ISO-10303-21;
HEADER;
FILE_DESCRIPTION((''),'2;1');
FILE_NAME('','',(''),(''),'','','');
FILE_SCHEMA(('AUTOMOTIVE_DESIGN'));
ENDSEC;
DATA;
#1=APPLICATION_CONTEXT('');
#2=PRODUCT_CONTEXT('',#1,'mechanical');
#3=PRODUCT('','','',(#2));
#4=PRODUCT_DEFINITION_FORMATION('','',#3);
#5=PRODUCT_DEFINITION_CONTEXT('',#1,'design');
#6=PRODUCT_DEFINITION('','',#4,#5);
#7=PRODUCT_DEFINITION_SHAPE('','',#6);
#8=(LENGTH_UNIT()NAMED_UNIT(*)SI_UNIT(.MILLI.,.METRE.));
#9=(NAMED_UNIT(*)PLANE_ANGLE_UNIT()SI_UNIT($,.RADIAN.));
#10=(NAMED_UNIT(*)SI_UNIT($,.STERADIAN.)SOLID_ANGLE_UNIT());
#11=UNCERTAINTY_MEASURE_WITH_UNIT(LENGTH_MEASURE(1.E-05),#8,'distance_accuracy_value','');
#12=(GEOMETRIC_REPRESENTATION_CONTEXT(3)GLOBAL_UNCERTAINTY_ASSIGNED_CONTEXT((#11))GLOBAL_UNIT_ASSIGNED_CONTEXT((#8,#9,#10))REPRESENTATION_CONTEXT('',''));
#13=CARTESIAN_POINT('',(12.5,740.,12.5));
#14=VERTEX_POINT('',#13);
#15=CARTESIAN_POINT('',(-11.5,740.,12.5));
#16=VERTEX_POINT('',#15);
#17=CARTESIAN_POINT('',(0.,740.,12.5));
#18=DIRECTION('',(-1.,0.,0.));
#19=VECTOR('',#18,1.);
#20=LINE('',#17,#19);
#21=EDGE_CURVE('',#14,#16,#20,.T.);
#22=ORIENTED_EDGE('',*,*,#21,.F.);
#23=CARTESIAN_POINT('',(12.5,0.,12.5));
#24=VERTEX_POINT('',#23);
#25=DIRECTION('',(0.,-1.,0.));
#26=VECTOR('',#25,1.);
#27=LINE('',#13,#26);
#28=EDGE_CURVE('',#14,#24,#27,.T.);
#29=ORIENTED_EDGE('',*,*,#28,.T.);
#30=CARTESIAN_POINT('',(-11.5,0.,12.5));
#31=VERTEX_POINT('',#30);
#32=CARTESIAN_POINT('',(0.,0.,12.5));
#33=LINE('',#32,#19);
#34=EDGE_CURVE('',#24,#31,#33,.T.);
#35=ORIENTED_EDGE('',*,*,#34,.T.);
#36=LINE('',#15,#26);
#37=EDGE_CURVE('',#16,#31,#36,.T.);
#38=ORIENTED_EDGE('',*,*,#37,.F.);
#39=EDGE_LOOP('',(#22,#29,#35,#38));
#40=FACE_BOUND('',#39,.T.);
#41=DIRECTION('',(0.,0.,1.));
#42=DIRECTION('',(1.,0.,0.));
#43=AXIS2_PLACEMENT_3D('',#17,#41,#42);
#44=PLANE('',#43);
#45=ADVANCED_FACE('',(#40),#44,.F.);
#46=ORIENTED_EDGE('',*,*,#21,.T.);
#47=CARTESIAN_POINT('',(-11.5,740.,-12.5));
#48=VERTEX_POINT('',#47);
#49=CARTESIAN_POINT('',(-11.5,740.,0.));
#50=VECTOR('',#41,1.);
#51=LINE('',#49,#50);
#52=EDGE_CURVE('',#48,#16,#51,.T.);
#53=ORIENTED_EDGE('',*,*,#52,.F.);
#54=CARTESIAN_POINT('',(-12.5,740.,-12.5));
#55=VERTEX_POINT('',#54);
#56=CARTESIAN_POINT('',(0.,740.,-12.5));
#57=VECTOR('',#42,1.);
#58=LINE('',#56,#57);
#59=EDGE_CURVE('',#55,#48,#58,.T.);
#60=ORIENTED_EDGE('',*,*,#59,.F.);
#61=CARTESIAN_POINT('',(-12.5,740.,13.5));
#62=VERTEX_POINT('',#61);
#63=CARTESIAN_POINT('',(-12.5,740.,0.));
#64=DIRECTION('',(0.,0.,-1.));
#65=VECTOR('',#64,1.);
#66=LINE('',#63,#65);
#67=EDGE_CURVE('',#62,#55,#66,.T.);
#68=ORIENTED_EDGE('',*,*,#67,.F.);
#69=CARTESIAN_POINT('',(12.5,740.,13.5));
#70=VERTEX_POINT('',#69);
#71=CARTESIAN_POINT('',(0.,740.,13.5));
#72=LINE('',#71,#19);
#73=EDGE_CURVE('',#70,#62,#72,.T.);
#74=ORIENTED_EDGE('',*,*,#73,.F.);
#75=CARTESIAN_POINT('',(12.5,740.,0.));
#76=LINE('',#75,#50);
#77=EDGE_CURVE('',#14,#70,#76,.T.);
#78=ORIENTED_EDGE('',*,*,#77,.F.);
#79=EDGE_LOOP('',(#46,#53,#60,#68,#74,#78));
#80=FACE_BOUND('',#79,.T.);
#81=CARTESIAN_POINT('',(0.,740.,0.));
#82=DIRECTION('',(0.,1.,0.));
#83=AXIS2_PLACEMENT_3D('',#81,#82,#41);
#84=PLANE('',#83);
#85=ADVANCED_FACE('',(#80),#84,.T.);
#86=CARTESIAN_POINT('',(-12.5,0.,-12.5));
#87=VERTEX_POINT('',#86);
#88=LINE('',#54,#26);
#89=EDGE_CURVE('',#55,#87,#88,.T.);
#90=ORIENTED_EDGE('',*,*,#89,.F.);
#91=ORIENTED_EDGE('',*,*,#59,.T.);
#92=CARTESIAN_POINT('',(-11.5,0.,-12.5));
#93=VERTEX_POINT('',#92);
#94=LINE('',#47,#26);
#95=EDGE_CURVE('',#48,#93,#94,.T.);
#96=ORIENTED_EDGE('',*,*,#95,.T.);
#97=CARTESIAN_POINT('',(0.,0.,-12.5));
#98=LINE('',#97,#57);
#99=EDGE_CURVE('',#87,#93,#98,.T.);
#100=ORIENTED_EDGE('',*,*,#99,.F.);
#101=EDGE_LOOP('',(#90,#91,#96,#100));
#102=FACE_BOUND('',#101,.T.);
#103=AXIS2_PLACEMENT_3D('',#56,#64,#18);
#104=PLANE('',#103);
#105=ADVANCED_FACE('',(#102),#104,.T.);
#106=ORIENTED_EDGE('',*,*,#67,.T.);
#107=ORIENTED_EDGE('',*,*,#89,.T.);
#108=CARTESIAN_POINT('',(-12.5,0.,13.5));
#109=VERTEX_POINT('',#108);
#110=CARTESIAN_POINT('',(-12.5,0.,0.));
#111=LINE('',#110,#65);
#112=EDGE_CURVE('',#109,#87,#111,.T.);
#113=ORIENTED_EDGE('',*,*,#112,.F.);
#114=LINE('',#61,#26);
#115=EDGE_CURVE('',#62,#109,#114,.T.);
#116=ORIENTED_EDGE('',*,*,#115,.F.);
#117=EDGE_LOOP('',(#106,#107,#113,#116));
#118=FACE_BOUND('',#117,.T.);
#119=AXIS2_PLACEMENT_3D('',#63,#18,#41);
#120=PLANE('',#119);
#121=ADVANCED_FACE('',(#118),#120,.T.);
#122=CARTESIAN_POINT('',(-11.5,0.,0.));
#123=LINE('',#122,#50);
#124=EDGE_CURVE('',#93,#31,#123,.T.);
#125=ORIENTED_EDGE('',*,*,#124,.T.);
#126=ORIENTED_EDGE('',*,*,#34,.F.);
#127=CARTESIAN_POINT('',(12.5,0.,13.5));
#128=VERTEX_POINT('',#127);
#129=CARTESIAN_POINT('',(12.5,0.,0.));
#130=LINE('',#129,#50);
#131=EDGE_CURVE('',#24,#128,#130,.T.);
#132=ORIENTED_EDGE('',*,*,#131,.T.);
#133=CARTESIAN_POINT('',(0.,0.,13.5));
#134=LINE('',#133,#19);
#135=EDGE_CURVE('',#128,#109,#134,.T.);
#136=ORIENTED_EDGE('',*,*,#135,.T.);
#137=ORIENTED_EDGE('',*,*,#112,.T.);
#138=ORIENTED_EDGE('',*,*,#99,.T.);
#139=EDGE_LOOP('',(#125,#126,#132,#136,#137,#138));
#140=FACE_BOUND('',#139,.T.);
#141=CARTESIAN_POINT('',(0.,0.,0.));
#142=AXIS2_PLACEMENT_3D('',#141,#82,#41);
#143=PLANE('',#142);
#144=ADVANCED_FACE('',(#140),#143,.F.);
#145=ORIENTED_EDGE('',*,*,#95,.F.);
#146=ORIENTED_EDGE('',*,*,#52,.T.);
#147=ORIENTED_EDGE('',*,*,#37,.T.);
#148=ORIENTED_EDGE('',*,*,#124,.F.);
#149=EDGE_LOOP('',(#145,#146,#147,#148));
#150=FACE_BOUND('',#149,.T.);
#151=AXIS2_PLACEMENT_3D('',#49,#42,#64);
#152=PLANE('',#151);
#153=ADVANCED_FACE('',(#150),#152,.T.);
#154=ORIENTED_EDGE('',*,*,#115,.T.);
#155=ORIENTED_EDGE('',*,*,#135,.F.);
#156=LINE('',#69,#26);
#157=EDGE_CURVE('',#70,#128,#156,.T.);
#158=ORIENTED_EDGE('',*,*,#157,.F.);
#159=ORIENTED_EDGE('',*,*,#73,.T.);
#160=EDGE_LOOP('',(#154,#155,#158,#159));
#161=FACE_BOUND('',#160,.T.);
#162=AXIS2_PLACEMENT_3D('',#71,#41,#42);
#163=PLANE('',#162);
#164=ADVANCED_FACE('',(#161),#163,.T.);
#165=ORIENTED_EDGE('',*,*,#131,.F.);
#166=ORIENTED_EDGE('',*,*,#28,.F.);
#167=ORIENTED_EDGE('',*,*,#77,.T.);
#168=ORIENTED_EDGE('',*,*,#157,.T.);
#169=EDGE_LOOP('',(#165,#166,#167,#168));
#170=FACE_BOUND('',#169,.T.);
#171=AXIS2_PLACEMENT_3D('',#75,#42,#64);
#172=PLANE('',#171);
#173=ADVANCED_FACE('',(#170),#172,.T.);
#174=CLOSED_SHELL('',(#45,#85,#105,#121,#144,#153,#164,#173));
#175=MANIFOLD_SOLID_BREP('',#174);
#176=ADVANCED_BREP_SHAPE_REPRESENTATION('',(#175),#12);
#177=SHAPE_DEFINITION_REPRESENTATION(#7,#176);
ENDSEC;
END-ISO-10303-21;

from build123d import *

# Parameters (mm, degrees)
BOSS_EXTRUDE1_DEPTH = 740


with BuildPart() as part:
    # Sketch1 → Boss-Extrude1 (new body)
    with BuildSketch(Plane(origin=(0, 0, 0), x_dir=(1, 0, 0), z_dir=(0, 1, 0))):
        Polygon((-12.5, 12.5), (-11.5, 12.5), (-11.5, 11.5), (-11.5, -12.5), (12.5, -12.5), (12.5, -13.5), (-11.5, -13.5), (-12.5, -13.5), (-12.5, -12.5), align=None)
    extrude(amount=BOSS_EXTRUDE1_DEPTH)


solid = part.part
